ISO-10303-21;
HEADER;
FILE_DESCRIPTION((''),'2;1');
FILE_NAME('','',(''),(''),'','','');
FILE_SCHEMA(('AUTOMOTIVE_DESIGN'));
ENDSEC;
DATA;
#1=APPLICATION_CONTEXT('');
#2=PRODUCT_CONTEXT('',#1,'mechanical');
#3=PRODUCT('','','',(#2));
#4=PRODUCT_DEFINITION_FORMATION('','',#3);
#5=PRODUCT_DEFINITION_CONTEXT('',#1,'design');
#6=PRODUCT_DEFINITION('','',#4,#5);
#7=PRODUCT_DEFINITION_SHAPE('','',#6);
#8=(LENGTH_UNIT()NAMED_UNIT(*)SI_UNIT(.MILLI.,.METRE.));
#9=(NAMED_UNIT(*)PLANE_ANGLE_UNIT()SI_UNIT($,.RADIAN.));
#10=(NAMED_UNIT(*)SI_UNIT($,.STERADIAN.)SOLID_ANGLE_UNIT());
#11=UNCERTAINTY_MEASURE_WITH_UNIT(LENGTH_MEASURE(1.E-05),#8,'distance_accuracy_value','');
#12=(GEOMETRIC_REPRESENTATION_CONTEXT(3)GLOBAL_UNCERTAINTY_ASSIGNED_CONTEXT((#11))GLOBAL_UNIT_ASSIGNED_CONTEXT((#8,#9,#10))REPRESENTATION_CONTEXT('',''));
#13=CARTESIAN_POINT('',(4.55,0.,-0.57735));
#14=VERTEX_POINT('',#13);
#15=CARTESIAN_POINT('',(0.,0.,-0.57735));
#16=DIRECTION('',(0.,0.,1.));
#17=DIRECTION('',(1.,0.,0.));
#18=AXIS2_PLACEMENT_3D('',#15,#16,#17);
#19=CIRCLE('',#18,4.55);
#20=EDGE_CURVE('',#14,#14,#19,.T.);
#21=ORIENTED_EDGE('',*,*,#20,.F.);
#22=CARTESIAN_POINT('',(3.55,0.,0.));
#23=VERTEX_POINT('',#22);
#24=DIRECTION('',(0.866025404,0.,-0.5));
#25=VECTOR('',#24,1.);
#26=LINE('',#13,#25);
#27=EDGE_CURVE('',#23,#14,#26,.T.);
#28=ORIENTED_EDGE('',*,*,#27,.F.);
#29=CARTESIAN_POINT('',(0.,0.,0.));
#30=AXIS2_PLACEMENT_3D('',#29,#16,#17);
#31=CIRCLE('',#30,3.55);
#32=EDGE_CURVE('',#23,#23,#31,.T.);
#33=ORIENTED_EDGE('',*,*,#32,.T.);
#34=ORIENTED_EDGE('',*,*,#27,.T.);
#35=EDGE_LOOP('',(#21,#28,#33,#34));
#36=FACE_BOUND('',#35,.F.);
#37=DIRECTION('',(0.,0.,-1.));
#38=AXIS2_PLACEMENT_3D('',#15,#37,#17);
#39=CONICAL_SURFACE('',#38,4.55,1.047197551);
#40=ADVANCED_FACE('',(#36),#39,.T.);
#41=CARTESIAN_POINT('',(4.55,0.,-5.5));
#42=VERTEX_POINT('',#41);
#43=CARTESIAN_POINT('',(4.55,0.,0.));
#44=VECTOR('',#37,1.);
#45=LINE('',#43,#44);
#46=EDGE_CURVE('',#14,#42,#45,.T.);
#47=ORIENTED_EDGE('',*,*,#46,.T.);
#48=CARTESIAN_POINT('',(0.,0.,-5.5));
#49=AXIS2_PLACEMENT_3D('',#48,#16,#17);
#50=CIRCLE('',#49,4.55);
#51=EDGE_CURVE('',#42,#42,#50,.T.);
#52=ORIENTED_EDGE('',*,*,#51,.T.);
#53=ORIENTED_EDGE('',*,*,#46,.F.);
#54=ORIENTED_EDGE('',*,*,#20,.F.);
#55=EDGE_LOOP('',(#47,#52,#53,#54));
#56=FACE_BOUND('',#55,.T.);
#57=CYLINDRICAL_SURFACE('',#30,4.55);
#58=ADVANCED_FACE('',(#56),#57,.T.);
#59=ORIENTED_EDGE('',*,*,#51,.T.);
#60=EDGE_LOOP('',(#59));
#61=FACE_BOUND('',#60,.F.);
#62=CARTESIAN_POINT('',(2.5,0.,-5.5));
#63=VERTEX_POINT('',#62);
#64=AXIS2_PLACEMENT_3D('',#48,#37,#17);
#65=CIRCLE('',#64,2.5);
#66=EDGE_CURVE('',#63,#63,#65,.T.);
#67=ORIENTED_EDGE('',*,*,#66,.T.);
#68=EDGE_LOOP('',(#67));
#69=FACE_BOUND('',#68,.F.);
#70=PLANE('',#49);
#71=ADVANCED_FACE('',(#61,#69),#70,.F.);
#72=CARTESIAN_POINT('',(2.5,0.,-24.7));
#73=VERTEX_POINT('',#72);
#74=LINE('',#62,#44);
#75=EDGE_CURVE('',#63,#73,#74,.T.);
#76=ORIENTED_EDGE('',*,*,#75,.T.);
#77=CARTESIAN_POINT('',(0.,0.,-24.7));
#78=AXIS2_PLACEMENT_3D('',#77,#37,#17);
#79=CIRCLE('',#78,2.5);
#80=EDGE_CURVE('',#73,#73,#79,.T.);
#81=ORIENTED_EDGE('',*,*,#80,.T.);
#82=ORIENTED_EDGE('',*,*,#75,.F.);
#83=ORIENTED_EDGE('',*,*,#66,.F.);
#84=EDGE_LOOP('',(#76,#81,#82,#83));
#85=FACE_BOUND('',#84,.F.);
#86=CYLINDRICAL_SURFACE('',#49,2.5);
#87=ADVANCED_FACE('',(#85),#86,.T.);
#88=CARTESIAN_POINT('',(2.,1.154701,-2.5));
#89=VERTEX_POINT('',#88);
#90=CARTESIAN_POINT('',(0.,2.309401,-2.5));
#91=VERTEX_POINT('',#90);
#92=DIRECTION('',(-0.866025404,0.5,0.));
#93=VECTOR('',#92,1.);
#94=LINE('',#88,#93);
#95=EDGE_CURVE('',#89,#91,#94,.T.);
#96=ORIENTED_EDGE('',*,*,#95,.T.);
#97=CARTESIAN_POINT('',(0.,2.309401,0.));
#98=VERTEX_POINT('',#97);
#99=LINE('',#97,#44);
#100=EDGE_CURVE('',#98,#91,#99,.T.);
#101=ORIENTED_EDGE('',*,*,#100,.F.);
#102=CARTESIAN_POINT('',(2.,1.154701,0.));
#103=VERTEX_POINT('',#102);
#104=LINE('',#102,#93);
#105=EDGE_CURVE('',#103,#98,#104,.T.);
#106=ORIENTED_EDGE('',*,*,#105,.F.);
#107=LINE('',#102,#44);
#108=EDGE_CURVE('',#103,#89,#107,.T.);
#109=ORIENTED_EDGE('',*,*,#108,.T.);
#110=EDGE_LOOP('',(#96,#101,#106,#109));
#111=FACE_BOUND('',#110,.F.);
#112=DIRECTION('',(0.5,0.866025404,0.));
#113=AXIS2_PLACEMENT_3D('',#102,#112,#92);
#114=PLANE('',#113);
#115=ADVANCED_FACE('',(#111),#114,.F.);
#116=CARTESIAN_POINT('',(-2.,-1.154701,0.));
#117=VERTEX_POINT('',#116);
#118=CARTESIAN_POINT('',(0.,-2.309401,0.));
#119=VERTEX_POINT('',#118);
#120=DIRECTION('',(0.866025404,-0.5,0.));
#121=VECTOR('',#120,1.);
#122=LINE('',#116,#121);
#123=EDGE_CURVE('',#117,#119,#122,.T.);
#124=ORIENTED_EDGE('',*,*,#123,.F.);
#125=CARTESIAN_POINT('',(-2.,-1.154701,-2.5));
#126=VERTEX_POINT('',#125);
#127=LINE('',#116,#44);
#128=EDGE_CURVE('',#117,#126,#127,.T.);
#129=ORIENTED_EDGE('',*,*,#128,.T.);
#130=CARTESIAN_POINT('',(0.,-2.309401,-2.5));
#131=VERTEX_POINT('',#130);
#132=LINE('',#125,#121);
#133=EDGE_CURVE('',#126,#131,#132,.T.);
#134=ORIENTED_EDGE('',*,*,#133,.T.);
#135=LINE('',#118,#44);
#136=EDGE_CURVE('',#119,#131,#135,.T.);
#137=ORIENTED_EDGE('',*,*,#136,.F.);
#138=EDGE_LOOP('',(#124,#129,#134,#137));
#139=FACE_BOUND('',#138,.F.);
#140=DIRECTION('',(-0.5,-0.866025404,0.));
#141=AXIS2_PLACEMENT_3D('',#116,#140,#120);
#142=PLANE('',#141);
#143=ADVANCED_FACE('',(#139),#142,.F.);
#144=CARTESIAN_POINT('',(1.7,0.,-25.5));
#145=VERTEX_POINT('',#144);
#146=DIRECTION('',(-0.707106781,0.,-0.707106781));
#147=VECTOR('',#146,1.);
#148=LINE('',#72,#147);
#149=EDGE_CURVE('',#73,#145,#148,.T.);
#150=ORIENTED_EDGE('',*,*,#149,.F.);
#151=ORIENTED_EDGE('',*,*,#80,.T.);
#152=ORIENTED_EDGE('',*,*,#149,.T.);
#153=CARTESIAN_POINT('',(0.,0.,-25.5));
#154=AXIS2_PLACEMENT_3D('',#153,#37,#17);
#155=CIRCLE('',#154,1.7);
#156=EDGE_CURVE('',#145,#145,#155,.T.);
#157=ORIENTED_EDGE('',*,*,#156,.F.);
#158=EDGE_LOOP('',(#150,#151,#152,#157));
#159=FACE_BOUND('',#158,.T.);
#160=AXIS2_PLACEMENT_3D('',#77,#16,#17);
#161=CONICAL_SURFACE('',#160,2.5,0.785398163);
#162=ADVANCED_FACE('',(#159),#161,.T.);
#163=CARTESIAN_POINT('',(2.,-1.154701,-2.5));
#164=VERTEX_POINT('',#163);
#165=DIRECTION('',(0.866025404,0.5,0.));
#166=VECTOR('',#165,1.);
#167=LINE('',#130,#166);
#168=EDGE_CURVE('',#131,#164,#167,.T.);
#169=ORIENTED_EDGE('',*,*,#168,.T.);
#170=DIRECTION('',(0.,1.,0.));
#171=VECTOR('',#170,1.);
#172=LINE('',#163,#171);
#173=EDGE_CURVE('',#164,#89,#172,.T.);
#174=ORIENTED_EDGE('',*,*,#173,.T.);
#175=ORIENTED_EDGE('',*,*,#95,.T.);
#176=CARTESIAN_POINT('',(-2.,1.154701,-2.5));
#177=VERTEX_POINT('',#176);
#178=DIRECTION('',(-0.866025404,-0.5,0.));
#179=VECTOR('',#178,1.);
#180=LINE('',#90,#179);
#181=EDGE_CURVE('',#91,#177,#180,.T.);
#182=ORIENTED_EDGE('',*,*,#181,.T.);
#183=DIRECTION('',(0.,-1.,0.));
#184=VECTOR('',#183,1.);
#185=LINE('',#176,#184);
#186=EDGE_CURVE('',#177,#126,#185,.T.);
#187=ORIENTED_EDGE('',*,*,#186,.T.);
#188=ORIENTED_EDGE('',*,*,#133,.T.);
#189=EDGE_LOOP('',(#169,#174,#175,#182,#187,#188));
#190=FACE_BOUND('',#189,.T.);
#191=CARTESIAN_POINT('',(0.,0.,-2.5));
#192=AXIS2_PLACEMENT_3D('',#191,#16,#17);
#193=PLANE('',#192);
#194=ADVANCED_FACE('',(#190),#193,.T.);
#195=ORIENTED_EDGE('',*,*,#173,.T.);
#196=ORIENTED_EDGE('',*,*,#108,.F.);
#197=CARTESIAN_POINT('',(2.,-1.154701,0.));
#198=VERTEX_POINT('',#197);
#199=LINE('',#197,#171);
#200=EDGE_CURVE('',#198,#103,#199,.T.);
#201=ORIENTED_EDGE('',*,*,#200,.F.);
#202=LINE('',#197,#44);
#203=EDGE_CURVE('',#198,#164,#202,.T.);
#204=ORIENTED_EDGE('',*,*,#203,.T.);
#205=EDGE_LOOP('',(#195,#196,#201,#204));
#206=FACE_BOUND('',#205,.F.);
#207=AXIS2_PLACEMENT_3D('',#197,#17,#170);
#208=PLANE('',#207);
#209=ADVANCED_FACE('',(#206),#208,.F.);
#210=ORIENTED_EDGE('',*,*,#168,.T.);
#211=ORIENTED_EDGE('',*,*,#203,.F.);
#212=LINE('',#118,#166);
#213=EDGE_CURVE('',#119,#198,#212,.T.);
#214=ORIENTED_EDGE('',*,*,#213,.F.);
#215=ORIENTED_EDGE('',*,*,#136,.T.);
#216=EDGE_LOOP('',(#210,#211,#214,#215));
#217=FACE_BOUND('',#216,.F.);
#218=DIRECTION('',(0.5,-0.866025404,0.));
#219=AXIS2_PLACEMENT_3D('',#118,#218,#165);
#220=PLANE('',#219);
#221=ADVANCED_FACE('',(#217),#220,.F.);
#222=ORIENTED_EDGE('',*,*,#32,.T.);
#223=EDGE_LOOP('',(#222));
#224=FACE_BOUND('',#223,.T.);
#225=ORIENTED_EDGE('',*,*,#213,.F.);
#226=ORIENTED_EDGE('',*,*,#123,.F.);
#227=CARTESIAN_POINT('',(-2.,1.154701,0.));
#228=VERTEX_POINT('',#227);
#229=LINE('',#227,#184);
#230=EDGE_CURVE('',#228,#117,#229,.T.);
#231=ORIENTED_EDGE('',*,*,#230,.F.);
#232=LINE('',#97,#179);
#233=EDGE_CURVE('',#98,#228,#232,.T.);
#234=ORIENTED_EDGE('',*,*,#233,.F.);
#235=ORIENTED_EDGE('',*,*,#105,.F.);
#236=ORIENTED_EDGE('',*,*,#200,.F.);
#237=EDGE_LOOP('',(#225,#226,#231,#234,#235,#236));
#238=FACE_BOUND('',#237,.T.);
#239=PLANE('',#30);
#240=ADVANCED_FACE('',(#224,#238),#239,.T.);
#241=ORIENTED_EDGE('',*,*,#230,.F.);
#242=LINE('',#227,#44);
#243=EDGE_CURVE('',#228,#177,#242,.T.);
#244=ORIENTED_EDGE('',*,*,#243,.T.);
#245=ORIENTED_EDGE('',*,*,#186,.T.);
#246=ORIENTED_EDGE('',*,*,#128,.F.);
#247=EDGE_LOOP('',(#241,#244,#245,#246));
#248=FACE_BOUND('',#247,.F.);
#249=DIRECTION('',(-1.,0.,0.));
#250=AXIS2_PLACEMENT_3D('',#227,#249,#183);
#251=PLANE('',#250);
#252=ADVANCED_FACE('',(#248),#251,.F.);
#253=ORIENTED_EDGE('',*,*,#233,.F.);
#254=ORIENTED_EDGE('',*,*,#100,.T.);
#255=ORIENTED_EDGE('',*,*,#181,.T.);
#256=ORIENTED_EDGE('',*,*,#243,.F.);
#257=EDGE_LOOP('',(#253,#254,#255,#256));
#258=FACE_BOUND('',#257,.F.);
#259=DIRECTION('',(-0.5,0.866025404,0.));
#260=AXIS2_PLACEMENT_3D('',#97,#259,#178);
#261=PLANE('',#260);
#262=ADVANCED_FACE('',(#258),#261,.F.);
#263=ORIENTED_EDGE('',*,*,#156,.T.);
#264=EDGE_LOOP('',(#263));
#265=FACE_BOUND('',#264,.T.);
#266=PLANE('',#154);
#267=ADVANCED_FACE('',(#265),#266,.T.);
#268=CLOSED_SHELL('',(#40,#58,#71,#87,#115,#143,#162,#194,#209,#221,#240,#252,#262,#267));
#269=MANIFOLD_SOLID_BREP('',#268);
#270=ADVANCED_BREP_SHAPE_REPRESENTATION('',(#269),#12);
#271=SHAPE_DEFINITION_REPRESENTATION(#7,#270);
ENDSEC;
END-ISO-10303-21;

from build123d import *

# Parameters (mm, degrees)
F0_R     = 4.55
F1_DEPTH = 5.5
F2_R     = 2.5
F3_DEPTH = 20
F5_DEPTH = 2.5
F6_SIZE2 = 0.5773502692
F6_SIZE  = 1
F7_SIZE  = 0.8


with BuildPart() as f1:
    # F0 (on Top) → F1 (new body)
    with BuildSketch(Plane.XY):
        Circle(F0_R)
    extrude(amount=-F1_DEPTH)

    # F2 (on face) → F3 (join)
    with BuildSketch(Plane(origin=(0, 0, -5.5), x_dir=(1, 0, 0), z_dir=(0, 0, -1))):
        Circle(F2_R)
    extrude(amount=F3_DEPTH)

    # F4 (on face) → F5 (cut)
    with BuildSketch(Plane.XY):
        Polygon((-2, -1.1547005384), (0, -2.3094010768), (2, -1.1547005384), (2, 1.1547005384), (0, 2.3094010768), (-2, 1.1547005384), align=None)
    extrude(amount=-F5_DEPTH, mode=Mode.SUBTRACT)

    # F6
    f6_edges = [f1.edges().sort_by_distance(p)[0] for p in [
        (-4.55, 0, 0),
    ]]
    f6_side = f1.faces().sort_by_distance((-4.421307, 0, 0))[0]
    chamfer(f6_edges, length=F6_SIZE, length2=F6_SIZE2, reference=f6_side)

    # F7
    f7_edges = [f1.edges().sort_by_distance(p)[0] for p in [
        (-2.5, 0, -25.5),
    ]]
    chamfer(f7_edges, length=F7_SIZE)


solid = f1.part
